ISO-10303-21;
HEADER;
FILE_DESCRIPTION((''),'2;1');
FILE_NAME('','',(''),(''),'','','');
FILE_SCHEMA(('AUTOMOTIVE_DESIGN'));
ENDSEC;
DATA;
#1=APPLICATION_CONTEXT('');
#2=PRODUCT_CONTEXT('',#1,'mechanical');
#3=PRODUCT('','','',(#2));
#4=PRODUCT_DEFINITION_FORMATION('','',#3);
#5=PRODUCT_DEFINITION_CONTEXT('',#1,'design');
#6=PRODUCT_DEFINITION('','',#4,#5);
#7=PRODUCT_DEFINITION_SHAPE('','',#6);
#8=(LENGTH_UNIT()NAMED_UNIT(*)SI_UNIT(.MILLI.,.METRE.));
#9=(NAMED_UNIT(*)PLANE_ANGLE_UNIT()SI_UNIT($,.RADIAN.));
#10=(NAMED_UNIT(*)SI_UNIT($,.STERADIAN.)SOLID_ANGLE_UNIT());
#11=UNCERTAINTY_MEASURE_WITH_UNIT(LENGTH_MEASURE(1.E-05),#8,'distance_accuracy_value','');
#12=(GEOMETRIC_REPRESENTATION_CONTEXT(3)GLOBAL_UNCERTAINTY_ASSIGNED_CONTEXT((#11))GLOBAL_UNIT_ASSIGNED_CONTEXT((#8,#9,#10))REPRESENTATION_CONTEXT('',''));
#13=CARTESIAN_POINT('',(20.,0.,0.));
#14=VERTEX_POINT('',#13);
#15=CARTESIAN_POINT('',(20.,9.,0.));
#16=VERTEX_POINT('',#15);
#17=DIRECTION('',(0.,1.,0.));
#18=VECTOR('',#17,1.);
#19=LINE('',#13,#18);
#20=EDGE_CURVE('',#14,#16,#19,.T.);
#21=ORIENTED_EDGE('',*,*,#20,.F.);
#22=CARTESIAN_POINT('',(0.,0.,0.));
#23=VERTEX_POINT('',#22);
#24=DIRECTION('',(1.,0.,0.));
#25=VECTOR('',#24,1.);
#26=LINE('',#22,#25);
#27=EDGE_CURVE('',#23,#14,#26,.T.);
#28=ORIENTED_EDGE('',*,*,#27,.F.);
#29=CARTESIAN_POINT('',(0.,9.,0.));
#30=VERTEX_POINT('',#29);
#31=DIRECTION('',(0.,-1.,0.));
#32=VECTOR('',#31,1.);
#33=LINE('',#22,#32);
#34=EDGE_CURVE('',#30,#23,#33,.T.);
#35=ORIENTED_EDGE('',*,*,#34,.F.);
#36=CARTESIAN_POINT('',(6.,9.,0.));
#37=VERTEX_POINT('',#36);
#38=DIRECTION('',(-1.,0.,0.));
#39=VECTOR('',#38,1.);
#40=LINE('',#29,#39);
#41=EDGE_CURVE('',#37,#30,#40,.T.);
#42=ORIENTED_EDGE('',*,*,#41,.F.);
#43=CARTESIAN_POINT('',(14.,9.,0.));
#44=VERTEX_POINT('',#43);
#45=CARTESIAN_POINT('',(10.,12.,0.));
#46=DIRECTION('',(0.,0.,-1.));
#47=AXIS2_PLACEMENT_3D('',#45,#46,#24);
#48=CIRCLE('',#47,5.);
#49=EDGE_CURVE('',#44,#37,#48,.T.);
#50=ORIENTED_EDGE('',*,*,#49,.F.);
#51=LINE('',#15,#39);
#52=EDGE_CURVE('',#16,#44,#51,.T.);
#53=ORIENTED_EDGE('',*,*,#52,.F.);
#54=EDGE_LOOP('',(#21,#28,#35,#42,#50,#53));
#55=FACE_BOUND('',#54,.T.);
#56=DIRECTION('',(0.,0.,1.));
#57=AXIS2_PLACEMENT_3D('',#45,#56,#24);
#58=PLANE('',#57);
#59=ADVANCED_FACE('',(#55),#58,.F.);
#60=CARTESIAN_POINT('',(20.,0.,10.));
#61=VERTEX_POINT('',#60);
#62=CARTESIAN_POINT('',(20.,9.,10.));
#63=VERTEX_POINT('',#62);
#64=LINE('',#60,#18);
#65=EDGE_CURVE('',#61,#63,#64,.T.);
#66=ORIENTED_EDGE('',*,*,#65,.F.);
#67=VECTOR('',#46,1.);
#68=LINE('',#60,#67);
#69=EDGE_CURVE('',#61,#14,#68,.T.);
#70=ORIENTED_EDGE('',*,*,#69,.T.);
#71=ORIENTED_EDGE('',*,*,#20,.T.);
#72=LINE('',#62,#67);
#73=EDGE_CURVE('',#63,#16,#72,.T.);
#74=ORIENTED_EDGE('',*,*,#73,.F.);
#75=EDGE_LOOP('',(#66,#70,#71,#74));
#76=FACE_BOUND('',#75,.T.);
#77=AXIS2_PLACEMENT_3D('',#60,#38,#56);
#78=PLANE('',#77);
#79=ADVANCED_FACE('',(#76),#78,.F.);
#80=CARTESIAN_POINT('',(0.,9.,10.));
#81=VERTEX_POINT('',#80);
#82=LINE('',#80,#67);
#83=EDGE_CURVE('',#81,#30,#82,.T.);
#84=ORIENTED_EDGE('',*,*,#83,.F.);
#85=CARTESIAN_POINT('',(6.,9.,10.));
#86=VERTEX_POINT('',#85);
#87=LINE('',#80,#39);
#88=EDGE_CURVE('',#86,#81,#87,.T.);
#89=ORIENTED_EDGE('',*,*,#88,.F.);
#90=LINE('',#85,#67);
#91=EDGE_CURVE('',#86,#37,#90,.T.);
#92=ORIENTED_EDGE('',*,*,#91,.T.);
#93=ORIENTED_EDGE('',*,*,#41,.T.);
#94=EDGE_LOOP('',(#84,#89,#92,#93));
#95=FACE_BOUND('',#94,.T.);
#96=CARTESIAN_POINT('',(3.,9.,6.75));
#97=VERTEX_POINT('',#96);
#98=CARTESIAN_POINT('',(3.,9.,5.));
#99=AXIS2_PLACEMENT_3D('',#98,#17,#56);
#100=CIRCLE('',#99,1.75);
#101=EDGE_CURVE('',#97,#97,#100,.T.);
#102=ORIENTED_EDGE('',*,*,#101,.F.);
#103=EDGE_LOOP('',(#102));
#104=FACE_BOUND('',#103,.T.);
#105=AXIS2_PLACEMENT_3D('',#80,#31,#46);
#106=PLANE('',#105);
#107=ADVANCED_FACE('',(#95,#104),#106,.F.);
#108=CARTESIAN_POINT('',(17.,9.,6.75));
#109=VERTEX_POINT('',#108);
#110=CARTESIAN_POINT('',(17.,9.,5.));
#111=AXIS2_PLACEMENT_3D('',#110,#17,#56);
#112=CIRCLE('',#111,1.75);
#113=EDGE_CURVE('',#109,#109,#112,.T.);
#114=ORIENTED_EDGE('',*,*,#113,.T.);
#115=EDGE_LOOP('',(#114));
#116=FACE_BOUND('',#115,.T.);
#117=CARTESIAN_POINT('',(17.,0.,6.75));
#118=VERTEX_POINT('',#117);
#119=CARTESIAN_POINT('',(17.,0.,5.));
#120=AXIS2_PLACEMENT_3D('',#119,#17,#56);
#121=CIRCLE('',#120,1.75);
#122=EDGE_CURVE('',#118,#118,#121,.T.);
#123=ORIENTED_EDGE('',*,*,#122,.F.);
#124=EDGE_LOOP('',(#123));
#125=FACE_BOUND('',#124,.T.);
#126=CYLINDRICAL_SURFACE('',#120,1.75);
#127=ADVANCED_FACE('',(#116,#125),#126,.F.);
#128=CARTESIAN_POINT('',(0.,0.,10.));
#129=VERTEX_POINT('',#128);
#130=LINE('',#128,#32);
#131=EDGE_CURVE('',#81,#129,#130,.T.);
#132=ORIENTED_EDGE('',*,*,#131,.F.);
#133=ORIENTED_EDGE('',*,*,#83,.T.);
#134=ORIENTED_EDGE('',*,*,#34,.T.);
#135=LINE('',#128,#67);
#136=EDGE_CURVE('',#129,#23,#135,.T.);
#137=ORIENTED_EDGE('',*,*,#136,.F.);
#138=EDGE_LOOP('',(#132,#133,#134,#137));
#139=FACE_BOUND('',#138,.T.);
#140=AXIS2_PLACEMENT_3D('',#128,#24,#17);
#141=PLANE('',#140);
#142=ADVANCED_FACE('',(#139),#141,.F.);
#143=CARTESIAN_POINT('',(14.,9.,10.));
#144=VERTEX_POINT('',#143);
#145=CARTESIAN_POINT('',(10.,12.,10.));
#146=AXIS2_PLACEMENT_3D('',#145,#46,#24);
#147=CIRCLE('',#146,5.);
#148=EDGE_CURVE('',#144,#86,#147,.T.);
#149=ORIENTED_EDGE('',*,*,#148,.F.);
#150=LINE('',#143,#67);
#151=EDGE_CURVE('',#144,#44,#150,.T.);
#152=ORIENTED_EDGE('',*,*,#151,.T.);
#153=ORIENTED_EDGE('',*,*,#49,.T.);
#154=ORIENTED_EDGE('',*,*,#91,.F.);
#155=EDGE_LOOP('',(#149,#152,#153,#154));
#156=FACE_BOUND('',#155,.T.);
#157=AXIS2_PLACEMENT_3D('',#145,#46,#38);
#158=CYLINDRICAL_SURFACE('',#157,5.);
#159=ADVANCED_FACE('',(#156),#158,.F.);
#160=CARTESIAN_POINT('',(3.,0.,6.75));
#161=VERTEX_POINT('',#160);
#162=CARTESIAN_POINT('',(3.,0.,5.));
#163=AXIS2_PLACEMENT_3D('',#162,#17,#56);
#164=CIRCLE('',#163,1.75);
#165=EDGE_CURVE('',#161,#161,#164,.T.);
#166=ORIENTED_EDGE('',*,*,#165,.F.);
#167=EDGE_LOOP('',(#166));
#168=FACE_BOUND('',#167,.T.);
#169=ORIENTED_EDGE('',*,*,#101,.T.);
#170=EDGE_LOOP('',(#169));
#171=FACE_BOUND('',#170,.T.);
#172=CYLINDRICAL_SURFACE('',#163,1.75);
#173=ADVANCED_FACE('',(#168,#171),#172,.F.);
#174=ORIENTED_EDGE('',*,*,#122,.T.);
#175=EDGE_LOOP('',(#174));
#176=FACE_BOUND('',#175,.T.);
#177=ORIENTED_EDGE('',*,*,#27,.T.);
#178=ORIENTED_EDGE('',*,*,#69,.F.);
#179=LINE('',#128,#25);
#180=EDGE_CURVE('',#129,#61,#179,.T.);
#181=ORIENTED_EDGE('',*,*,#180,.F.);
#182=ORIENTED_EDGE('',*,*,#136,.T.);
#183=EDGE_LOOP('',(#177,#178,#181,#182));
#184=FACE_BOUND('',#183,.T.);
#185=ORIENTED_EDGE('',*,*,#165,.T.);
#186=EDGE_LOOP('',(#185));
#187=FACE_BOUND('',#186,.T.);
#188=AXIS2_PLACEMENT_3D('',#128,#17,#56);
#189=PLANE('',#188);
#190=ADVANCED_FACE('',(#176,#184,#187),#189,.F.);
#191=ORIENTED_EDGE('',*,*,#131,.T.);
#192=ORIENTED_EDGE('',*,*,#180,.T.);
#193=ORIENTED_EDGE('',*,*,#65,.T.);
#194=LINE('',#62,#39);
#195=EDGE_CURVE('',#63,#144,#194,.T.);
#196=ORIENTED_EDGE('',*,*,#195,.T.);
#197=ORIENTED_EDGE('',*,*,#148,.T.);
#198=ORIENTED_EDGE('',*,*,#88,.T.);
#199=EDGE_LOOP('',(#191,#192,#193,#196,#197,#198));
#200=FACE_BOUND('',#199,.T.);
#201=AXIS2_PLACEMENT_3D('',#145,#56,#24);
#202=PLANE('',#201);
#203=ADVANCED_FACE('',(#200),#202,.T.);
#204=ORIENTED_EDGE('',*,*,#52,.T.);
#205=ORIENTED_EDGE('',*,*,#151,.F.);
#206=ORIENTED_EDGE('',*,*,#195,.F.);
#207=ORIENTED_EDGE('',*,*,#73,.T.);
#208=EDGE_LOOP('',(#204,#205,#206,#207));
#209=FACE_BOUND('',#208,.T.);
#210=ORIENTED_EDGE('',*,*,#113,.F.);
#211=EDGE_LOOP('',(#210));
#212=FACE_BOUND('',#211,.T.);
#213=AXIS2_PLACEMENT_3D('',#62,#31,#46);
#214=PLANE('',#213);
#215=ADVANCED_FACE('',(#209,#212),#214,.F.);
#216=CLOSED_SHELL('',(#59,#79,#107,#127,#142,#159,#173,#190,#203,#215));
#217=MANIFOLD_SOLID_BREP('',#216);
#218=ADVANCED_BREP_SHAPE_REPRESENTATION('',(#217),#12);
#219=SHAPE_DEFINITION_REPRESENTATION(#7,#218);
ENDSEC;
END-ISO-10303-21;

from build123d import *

# Parameters (mm, degrees)
AUFSATZ_LINEAR_AUSTRAGEN1_DEPTH = 10
SKIZZE2_R                       = 1.75
SCHNITT_LINEAR_AUSTRAGEN1_DEPTH = 10


with BuildPart() as part:
    # Skizze1 → Aufsatz-Linear austragen1 (new body)
    with BuildSketch(Plane.XY):
        with BuildLine():
            Line((0, 0), (20, 0))
            Line((20, 0), (20, 9))
            Line((20, 9), (14, 9))
            ThreePointArc((14, 9), (10, 7), (6, 9))
            Line((6, 9), (0, 9))
            Line((0, 9), (0, 0))
        make_face()
    extrude(amount=AUFSATZ_LINEAR_AUSTRAGEN1_DEPTH)

    # Skizze2 → Schnitt-Linear austragen1 (cut, through all)
    with BuildSketch(Plane(origin=(0, 9, 0), x_dir=(1, 0, 0), z_dir=(0, 1, 0))):
        with Locations((3, -5)):
            Circle(SKIZZE2_R)
        with Locations((17, -5)):
            Circle(SKIZZE2_R)
    extrude(amount=-SCHNITT_LINEAR_AUSTRAGEN1_DEPTH, mode=Mode.SUBTRACT)


solid = part.part
